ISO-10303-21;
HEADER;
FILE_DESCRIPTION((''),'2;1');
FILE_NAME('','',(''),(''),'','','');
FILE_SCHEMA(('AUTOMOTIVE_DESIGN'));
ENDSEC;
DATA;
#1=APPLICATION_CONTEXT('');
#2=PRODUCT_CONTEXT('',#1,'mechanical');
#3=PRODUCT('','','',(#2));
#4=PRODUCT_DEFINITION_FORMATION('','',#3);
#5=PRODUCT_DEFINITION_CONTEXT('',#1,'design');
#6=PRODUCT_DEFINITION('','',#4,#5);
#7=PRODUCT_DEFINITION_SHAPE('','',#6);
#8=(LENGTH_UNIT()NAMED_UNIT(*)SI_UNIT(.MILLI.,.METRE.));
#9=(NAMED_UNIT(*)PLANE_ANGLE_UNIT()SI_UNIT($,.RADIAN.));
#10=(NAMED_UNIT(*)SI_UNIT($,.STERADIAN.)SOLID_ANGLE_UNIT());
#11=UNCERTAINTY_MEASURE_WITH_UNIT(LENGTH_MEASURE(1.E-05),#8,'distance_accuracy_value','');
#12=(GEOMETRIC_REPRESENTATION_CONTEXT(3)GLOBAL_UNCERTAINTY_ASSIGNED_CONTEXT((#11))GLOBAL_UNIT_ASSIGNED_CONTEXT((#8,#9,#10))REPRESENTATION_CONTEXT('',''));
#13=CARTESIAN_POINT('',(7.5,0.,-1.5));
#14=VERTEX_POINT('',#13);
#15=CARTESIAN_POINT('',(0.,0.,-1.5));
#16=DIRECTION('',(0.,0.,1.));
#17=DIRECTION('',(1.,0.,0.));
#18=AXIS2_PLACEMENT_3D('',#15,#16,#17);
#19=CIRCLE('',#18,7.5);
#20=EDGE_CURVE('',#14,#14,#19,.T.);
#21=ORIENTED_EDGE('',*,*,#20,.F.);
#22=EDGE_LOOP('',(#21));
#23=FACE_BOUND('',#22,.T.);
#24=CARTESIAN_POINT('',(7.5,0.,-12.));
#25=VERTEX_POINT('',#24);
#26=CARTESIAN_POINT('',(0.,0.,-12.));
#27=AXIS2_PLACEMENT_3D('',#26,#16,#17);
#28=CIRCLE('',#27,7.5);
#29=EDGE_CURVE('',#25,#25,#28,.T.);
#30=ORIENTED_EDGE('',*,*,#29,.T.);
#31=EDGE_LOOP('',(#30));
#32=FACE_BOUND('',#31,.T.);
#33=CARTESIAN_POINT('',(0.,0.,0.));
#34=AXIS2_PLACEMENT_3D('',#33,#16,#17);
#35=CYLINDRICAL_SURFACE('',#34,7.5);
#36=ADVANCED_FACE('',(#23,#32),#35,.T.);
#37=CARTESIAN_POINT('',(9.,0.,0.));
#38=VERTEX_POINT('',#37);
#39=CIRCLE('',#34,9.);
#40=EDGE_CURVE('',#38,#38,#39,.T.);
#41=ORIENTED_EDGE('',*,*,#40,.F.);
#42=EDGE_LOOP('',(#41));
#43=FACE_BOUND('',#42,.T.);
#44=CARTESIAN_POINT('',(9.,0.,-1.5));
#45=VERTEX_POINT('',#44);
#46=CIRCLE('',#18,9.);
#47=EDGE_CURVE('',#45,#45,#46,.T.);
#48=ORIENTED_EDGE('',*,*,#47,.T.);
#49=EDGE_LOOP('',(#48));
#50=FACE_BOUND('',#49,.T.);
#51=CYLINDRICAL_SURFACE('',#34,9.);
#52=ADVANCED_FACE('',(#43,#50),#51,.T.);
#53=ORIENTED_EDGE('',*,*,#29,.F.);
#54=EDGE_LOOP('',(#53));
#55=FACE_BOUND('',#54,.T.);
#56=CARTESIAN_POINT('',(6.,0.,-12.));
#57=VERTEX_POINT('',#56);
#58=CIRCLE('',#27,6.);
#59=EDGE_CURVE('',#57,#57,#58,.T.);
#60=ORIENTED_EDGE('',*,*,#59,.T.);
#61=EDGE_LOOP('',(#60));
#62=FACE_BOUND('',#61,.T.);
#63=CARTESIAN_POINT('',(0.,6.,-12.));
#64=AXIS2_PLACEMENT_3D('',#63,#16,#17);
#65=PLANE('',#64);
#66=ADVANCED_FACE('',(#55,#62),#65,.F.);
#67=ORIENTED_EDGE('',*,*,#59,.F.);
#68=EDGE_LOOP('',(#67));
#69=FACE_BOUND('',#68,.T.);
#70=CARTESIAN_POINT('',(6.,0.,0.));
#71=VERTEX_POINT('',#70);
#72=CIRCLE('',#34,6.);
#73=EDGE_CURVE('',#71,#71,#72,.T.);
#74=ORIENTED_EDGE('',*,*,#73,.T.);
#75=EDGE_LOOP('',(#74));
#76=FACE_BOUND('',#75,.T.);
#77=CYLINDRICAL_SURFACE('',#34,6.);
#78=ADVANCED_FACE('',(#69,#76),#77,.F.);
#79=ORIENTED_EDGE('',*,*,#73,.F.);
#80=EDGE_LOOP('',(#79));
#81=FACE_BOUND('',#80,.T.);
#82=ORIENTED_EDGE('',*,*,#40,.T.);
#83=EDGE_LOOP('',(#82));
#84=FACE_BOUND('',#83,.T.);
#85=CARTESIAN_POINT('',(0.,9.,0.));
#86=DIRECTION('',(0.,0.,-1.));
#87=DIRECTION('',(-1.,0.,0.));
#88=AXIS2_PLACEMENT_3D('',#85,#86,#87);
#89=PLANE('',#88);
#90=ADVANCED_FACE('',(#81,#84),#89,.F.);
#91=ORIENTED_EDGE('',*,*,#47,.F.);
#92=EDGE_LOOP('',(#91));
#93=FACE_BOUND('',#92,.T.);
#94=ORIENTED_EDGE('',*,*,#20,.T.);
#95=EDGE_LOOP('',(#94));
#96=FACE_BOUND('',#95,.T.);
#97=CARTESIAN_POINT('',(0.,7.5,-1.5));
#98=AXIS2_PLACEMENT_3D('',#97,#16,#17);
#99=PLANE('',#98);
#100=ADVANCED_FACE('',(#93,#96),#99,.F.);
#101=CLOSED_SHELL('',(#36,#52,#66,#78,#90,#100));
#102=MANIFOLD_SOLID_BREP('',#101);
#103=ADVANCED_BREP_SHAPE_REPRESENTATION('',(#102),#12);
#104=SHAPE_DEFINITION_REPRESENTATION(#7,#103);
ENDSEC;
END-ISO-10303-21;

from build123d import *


with BuildPart() as part:
    # Szkic1 → Obrót1 (revolve)
    with BuildSketch(Plane(origin=(0, 0, 0), x_dir=(0, 0, -1), z_dir=(1, 0, 0)), mode=Mode.PRIVATE) as obr_t1_sk:
        Polygon((0, 9), (0, 6), (12, 6), (12, 7.5), (1.5, 7.5), (1.5, 9), align=None)
    revolve(obr_t1_sk.sketch.rotate(Axis((0, 0, 0), (0, 0, -1)), 90), axis=Axis((0, 0, 0), (0, 0, -1)))


solid = part.part
